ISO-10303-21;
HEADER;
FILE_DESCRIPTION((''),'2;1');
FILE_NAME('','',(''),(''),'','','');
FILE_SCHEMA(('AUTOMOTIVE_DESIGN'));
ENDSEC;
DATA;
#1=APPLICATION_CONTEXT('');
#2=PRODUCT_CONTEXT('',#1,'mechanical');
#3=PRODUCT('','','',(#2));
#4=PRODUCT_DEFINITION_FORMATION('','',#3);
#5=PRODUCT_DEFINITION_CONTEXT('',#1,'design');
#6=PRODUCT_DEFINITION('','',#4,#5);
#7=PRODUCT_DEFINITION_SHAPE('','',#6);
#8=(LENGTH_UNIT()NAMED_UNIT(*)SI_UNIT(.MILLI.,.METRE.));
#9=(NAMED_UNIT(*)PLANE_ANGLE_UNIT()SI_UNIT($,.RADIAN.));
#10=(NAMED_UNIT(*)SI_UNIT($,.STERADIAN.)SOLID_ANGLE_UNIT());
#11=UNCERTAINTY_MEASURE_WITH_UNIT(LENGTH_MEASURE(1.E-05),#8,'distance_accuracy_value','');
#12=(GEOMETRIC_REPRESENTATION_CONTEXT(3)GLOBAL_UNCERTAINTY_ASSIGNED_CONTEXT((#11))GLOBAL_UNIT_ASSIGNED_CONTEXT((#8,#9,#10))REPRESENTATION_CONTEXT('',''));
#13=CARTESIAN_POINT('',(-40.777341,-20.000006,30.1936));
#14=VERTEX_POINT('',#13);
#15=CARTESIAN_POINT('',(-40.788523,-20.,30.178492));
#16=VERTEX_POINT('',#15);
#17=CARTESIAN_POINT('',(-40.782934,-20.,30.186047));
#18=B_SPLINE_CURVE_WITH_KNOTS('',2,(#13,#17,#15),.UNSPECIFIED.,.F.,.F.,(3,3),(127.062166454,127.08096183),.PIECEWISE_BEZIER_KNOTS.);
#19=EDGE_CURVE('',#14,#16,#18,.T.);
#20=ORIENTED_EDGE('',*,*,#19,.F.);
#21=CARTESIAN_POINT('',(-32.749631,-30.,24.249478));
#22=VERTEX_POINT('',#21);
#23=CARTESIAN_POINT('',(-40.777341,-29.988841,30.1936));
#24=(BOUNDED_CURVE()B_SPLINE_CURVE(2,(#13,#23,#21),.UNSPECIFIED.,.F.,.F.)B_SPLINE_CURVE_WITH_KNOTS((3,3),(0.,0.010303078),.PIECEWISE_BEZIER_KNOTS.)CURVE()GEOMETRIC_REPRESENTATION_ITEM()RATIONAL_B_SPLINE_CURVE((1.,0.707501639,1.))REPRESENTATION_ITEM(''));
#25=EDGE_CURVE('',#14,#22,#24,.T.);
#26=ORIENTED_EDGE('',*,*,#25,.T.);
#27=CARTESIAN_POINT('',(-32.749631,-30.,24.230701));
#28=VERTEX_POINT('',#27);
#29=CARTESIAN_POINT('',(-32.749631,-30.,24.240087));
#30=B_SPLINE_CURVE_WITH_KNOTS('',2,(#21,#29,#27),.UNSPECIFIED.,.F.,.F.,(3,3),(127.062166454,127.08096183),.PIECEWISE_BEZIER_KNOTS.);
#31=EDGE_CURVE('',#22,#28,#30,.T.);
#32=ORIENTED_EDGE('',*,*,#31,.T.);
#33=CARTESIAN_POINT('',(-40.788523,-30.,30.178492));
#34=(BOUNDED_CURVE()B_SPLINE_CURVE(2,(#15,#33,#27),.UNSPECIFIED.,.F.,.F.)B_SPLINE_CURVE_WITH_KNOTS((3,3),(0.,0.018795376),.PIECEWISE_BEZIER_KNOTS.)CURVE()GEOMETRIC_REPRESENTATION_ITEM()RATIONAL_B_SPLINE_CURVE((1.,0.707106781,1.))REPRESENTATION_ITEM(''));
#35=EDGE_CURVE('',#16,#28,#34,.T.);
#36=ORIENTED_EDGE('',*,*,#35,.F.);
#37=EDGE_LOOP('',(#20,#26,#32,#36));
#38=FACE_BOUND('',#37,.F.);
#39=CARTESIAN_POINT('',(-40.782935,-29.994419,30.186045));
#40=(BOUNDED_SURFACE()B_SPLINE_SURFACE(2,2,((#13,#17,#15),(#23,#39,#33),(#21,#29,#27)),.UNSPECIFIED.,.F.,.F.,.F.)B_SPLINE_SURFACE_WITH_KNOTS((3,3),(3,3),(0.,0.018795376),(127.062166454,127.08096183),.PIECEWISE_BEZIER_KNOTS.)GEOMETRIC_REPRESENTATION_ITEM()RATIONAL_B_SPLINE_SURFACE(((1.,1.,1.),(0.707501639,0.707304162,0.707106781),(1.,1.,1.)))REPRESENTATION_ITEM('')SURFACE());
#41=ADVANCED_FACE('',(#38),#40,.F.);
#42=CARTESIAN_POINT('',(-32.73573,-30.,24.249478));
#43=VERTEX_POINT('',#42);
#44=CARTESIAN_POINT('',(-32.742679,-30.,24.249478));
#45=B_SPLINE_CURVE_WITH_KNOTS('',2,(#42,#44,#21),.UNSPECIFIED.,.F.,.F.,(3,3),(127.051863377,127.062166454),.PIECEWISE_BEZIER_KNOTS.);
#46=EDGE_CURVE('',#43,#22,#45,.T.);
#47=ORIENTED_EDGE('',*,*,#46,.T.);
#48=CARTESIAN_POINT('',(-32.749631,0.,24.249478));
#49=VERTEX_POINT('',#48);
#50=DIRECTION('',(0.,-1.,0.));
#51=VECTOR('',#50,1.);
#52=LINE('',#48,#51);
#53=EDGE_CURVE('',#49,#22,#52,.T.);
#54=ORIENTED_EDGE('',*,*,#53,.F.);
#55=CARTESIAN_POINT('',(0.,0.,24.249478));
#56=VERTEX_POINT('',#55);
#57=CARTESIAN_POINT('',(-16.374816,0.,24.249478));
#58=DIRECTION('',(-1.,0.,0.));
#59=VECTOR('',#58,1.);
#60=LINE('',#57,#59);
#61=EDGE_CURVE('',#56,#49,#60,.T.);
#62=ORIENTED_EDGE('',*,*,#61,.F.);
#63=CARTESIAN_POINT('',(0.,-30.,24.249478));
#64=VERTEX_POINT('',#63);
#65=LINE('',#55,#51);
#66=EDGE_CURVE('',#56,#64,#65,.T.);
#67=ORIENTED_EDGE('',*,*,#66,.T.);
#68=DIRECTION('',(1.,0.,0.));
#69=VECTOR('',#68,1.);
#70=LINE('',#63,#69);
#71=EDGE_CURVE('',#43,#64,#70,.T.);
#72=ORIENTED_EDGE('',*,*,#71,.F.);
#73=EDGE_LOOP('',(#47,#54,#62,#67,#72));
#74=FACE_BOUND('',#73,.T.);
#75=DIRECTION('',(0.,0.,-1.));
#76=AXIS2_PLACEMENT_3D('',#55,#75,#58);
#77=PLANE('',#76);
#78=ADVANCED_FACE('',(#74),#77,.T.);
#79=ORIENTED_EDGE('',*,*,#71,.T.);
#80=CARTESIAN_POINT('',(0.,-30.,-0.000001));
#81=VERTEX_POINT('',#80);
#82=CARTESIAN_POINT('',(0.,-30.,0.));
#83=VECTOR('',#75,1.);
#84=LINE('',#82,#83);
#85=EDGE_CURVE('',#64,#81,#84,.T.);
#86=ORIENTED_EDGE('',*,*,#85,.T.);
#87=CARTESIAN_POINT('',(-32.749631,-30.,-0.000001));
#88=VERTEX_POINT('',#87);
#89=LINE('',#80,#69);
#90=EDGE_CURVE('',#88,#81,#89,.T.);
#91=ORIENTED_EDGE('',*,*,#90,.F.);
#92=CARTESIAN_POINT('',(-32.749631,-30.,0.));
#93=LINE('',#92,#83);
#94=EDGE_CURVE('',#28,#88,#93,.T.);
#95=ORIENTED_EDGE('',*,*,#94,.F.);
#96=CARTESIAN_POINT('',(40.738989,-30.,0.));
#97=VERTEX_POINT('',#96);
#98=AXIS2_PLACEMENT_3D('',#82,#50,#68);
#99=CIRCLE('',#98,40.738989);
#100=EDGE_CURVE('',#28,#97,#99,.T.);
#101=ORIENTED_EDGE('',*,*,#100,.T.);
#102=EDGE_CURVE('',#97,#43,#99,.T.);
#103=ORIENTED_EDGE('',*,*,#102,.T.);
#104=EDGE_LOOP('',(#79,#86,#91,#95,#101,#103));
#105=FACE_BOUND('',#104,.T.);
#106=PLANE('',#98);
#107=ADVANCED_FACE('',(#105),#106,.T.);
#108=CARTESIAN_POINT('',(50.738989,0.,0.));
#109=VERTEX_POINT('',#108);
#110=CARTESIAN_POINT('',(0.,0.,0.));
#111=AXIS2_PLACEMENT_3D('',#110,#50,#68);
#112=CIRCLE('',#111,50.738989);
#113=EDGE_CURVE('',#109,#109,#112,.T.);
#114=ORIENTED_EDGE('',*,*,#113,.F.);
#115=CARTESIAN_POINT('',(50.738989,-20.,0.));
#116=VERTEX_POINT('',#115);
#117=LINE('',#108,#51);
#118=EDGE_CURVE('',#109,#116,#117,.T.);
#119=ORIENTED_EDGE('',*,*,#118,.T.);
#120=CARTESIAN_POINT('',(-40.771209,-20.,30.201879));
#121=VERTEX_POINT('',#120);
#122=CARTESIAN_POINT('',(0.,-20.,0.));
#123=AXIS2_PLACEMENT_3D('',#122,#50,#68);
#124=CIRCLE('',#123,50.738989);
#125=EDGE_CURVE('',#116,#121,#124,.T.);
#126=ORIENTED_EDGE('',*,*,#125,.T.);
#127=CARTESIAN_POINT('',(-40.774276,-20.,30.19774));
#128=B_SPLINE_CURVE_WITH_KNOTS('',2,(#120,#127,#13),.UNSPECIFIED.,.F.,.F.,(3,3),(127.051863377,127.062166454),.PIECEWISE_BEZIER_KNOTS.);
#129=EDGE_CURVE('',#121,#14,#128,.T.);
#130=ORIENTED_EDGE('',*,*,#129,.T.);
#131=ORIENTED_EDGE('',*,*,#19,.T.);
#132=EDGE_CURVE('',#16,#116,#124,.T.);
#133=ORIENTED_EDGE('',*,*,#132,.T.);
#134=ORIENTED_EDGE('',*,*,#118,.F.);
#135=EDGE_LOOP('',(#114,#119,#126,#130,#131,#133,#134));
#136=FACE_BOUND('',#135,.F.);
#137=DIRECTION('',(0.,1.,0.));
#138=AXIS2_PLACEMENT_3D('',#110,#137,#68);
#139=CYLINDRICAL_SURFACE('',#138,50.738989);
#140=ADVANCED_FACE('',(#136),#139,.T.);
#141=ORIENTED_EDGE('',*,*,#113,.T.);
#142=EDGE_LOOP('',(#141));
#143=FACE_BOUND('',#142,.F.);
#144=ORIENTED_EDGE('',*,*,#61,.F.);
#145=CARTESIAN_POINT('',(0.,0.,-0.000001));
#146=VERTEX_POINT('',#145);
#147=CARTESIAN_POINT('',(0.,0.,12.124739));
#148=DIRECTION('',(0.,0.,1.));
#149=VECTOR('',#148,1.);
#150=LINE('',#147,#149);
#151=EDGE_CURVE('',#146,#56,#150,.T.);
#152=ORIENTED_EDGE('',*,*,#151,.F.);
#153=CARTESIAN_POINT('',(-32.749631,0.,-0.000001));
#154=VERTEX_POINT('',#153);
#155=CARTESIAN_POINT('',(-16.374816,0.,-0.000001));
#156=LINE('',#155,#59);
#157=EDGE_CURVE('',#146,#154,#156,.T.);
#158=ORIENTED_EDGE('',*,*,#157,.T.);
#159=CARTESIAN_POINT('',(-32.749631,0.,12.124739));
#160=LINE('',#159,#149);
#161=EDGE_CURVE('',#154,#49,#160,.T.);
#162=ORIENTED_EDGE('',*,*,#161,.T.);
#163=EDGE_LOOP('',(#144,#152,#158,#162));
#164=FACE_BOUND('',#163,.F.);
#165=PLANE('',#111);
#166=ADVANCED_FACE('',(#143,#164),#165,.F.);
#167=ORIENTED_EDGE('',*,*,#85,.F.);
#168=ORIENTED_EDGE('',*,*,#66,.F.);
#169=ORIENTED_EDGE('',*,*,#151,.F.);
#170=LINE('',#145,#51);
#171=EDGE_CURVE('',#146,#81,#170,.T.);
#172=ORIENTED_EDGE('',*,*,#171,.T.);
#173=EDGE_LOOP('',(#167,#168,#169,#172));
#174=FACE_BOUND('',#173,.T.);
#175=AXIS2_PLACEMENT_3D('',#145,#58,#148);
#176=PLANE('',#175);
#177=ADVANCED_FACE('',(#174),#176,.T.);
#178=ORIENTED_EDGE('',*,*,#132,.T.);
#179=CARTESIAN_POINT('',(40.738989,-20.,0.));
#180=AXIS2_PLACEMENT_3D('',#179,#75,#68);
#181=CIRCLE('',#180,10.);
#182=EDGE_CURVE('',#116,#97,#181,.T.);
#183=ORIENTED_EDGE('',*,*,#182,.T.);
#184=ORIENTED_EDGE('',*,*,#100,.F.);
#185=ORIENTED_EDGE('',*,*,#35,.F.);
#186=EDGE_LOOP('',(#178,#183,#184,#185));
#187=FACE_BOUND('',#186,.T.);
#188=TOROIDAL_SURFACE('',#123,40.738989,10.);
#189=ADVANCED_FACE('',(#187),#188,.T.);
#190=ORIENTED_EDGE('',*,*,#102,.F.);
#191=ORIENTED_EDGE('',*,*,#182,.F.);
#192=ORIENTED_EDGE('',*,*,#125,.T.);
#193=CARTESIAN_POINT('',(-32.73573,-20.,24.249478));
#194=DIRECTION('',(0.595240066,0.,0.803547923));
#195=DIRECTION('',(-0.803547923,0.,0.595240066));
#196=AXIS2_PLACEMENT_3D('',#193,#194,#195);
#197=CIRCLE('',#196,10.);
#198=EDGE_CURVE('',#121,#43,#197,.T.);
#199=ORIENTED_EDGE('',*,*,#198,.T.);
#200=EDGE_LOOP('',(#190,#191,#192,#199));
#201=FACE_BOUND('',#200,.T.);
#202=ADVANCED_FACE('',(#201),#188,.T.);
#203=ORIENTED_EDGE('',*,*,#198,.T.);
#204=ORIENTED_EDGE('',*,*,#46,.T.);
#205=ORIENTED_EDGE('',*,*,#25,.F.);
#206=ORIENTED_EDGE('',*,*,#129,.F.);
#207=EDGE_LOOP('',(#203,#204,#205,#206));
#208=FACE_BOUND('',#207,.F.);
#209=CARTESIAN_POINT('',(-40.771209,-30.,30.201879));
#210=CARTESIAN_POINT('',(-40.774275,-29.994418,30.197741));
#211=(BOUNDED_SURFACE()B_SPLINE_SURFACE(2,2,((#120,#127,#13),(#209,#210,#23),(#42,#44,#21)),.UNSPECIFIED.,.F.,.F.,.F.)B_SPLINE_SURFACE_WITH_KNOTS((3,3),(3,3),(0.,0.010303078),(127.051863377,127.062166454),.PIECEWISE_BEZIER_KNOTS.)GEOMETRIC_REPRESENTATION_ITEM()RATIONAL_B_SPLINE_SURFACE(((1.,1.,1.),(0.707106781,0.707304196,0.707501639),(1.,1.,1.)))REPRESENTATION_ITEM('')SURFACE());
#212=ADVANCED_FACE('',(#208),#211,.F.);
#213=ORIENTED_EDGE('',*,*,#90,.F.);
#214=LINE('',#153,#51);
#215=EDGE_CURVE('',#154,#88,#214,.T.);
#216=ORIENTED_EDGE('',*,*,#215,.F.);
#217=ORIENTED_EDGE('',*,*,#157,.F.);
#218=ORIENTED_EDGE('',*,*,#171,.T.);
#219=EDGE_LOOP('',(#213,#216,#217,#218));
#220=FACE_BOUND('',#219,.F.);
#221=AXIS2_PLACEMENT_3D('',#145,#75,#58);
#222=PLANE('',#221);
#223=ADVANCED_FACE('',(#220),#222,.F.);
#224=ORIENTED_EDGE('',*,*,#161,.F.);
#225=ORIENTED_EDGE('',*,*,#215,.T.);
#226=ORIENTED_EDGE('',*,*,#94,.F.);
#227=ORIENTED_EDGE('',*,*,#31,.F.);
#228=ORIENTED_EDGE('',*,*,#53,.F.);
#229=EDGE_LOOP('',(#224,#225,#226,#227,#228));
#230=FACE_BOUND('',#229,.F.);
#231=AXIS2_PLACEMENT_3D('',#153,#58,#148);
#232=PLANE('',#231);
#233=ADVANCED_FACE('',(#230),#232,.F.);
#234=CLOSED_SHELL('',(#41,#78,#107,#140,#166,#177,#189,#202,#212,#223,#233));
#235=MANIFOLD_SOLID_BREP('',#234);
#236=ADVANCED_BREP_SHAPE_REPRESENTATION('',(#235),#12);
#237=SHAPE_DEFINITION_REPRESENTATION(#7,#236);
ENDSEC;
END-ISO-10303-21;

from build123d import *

# Parameters (mm, degrees)
F0_R     = 50.738989
F1_DEPTH = 30
F2_W     = 32.749631
F2_H     = 24.249479
F3_DEPTH = 96.840864
F4_R     = 10


with BuildPart() as f1:
    # F0 (on Front) → F1 (new body)
    with BuildSketch(Plane.XZ):
        Circle(F0_R)
    extrude(amount=F1_DEPTH)

    # F2 (on face) → F3 (cut)
    with BuildSketch(Plane(origin=(0, 0, 0), x_dir=(-1, 0, 0), z_dir=(0, 1, 0))):
        with Locations((16.374816, 12.124739)):
            Rectangle(F2_W, F2_H)
    extrude(amount=-F3_DEPTH, mode=Mode.SUBTRACT)

    # F4
    f4_edges = [f1.edges().sort_by_distance(p)[0] for p in [
        (-50.738989, -30, 0),
    ]]
    fillet(f4_edges, radius=F4_R)


solid = f1.part
